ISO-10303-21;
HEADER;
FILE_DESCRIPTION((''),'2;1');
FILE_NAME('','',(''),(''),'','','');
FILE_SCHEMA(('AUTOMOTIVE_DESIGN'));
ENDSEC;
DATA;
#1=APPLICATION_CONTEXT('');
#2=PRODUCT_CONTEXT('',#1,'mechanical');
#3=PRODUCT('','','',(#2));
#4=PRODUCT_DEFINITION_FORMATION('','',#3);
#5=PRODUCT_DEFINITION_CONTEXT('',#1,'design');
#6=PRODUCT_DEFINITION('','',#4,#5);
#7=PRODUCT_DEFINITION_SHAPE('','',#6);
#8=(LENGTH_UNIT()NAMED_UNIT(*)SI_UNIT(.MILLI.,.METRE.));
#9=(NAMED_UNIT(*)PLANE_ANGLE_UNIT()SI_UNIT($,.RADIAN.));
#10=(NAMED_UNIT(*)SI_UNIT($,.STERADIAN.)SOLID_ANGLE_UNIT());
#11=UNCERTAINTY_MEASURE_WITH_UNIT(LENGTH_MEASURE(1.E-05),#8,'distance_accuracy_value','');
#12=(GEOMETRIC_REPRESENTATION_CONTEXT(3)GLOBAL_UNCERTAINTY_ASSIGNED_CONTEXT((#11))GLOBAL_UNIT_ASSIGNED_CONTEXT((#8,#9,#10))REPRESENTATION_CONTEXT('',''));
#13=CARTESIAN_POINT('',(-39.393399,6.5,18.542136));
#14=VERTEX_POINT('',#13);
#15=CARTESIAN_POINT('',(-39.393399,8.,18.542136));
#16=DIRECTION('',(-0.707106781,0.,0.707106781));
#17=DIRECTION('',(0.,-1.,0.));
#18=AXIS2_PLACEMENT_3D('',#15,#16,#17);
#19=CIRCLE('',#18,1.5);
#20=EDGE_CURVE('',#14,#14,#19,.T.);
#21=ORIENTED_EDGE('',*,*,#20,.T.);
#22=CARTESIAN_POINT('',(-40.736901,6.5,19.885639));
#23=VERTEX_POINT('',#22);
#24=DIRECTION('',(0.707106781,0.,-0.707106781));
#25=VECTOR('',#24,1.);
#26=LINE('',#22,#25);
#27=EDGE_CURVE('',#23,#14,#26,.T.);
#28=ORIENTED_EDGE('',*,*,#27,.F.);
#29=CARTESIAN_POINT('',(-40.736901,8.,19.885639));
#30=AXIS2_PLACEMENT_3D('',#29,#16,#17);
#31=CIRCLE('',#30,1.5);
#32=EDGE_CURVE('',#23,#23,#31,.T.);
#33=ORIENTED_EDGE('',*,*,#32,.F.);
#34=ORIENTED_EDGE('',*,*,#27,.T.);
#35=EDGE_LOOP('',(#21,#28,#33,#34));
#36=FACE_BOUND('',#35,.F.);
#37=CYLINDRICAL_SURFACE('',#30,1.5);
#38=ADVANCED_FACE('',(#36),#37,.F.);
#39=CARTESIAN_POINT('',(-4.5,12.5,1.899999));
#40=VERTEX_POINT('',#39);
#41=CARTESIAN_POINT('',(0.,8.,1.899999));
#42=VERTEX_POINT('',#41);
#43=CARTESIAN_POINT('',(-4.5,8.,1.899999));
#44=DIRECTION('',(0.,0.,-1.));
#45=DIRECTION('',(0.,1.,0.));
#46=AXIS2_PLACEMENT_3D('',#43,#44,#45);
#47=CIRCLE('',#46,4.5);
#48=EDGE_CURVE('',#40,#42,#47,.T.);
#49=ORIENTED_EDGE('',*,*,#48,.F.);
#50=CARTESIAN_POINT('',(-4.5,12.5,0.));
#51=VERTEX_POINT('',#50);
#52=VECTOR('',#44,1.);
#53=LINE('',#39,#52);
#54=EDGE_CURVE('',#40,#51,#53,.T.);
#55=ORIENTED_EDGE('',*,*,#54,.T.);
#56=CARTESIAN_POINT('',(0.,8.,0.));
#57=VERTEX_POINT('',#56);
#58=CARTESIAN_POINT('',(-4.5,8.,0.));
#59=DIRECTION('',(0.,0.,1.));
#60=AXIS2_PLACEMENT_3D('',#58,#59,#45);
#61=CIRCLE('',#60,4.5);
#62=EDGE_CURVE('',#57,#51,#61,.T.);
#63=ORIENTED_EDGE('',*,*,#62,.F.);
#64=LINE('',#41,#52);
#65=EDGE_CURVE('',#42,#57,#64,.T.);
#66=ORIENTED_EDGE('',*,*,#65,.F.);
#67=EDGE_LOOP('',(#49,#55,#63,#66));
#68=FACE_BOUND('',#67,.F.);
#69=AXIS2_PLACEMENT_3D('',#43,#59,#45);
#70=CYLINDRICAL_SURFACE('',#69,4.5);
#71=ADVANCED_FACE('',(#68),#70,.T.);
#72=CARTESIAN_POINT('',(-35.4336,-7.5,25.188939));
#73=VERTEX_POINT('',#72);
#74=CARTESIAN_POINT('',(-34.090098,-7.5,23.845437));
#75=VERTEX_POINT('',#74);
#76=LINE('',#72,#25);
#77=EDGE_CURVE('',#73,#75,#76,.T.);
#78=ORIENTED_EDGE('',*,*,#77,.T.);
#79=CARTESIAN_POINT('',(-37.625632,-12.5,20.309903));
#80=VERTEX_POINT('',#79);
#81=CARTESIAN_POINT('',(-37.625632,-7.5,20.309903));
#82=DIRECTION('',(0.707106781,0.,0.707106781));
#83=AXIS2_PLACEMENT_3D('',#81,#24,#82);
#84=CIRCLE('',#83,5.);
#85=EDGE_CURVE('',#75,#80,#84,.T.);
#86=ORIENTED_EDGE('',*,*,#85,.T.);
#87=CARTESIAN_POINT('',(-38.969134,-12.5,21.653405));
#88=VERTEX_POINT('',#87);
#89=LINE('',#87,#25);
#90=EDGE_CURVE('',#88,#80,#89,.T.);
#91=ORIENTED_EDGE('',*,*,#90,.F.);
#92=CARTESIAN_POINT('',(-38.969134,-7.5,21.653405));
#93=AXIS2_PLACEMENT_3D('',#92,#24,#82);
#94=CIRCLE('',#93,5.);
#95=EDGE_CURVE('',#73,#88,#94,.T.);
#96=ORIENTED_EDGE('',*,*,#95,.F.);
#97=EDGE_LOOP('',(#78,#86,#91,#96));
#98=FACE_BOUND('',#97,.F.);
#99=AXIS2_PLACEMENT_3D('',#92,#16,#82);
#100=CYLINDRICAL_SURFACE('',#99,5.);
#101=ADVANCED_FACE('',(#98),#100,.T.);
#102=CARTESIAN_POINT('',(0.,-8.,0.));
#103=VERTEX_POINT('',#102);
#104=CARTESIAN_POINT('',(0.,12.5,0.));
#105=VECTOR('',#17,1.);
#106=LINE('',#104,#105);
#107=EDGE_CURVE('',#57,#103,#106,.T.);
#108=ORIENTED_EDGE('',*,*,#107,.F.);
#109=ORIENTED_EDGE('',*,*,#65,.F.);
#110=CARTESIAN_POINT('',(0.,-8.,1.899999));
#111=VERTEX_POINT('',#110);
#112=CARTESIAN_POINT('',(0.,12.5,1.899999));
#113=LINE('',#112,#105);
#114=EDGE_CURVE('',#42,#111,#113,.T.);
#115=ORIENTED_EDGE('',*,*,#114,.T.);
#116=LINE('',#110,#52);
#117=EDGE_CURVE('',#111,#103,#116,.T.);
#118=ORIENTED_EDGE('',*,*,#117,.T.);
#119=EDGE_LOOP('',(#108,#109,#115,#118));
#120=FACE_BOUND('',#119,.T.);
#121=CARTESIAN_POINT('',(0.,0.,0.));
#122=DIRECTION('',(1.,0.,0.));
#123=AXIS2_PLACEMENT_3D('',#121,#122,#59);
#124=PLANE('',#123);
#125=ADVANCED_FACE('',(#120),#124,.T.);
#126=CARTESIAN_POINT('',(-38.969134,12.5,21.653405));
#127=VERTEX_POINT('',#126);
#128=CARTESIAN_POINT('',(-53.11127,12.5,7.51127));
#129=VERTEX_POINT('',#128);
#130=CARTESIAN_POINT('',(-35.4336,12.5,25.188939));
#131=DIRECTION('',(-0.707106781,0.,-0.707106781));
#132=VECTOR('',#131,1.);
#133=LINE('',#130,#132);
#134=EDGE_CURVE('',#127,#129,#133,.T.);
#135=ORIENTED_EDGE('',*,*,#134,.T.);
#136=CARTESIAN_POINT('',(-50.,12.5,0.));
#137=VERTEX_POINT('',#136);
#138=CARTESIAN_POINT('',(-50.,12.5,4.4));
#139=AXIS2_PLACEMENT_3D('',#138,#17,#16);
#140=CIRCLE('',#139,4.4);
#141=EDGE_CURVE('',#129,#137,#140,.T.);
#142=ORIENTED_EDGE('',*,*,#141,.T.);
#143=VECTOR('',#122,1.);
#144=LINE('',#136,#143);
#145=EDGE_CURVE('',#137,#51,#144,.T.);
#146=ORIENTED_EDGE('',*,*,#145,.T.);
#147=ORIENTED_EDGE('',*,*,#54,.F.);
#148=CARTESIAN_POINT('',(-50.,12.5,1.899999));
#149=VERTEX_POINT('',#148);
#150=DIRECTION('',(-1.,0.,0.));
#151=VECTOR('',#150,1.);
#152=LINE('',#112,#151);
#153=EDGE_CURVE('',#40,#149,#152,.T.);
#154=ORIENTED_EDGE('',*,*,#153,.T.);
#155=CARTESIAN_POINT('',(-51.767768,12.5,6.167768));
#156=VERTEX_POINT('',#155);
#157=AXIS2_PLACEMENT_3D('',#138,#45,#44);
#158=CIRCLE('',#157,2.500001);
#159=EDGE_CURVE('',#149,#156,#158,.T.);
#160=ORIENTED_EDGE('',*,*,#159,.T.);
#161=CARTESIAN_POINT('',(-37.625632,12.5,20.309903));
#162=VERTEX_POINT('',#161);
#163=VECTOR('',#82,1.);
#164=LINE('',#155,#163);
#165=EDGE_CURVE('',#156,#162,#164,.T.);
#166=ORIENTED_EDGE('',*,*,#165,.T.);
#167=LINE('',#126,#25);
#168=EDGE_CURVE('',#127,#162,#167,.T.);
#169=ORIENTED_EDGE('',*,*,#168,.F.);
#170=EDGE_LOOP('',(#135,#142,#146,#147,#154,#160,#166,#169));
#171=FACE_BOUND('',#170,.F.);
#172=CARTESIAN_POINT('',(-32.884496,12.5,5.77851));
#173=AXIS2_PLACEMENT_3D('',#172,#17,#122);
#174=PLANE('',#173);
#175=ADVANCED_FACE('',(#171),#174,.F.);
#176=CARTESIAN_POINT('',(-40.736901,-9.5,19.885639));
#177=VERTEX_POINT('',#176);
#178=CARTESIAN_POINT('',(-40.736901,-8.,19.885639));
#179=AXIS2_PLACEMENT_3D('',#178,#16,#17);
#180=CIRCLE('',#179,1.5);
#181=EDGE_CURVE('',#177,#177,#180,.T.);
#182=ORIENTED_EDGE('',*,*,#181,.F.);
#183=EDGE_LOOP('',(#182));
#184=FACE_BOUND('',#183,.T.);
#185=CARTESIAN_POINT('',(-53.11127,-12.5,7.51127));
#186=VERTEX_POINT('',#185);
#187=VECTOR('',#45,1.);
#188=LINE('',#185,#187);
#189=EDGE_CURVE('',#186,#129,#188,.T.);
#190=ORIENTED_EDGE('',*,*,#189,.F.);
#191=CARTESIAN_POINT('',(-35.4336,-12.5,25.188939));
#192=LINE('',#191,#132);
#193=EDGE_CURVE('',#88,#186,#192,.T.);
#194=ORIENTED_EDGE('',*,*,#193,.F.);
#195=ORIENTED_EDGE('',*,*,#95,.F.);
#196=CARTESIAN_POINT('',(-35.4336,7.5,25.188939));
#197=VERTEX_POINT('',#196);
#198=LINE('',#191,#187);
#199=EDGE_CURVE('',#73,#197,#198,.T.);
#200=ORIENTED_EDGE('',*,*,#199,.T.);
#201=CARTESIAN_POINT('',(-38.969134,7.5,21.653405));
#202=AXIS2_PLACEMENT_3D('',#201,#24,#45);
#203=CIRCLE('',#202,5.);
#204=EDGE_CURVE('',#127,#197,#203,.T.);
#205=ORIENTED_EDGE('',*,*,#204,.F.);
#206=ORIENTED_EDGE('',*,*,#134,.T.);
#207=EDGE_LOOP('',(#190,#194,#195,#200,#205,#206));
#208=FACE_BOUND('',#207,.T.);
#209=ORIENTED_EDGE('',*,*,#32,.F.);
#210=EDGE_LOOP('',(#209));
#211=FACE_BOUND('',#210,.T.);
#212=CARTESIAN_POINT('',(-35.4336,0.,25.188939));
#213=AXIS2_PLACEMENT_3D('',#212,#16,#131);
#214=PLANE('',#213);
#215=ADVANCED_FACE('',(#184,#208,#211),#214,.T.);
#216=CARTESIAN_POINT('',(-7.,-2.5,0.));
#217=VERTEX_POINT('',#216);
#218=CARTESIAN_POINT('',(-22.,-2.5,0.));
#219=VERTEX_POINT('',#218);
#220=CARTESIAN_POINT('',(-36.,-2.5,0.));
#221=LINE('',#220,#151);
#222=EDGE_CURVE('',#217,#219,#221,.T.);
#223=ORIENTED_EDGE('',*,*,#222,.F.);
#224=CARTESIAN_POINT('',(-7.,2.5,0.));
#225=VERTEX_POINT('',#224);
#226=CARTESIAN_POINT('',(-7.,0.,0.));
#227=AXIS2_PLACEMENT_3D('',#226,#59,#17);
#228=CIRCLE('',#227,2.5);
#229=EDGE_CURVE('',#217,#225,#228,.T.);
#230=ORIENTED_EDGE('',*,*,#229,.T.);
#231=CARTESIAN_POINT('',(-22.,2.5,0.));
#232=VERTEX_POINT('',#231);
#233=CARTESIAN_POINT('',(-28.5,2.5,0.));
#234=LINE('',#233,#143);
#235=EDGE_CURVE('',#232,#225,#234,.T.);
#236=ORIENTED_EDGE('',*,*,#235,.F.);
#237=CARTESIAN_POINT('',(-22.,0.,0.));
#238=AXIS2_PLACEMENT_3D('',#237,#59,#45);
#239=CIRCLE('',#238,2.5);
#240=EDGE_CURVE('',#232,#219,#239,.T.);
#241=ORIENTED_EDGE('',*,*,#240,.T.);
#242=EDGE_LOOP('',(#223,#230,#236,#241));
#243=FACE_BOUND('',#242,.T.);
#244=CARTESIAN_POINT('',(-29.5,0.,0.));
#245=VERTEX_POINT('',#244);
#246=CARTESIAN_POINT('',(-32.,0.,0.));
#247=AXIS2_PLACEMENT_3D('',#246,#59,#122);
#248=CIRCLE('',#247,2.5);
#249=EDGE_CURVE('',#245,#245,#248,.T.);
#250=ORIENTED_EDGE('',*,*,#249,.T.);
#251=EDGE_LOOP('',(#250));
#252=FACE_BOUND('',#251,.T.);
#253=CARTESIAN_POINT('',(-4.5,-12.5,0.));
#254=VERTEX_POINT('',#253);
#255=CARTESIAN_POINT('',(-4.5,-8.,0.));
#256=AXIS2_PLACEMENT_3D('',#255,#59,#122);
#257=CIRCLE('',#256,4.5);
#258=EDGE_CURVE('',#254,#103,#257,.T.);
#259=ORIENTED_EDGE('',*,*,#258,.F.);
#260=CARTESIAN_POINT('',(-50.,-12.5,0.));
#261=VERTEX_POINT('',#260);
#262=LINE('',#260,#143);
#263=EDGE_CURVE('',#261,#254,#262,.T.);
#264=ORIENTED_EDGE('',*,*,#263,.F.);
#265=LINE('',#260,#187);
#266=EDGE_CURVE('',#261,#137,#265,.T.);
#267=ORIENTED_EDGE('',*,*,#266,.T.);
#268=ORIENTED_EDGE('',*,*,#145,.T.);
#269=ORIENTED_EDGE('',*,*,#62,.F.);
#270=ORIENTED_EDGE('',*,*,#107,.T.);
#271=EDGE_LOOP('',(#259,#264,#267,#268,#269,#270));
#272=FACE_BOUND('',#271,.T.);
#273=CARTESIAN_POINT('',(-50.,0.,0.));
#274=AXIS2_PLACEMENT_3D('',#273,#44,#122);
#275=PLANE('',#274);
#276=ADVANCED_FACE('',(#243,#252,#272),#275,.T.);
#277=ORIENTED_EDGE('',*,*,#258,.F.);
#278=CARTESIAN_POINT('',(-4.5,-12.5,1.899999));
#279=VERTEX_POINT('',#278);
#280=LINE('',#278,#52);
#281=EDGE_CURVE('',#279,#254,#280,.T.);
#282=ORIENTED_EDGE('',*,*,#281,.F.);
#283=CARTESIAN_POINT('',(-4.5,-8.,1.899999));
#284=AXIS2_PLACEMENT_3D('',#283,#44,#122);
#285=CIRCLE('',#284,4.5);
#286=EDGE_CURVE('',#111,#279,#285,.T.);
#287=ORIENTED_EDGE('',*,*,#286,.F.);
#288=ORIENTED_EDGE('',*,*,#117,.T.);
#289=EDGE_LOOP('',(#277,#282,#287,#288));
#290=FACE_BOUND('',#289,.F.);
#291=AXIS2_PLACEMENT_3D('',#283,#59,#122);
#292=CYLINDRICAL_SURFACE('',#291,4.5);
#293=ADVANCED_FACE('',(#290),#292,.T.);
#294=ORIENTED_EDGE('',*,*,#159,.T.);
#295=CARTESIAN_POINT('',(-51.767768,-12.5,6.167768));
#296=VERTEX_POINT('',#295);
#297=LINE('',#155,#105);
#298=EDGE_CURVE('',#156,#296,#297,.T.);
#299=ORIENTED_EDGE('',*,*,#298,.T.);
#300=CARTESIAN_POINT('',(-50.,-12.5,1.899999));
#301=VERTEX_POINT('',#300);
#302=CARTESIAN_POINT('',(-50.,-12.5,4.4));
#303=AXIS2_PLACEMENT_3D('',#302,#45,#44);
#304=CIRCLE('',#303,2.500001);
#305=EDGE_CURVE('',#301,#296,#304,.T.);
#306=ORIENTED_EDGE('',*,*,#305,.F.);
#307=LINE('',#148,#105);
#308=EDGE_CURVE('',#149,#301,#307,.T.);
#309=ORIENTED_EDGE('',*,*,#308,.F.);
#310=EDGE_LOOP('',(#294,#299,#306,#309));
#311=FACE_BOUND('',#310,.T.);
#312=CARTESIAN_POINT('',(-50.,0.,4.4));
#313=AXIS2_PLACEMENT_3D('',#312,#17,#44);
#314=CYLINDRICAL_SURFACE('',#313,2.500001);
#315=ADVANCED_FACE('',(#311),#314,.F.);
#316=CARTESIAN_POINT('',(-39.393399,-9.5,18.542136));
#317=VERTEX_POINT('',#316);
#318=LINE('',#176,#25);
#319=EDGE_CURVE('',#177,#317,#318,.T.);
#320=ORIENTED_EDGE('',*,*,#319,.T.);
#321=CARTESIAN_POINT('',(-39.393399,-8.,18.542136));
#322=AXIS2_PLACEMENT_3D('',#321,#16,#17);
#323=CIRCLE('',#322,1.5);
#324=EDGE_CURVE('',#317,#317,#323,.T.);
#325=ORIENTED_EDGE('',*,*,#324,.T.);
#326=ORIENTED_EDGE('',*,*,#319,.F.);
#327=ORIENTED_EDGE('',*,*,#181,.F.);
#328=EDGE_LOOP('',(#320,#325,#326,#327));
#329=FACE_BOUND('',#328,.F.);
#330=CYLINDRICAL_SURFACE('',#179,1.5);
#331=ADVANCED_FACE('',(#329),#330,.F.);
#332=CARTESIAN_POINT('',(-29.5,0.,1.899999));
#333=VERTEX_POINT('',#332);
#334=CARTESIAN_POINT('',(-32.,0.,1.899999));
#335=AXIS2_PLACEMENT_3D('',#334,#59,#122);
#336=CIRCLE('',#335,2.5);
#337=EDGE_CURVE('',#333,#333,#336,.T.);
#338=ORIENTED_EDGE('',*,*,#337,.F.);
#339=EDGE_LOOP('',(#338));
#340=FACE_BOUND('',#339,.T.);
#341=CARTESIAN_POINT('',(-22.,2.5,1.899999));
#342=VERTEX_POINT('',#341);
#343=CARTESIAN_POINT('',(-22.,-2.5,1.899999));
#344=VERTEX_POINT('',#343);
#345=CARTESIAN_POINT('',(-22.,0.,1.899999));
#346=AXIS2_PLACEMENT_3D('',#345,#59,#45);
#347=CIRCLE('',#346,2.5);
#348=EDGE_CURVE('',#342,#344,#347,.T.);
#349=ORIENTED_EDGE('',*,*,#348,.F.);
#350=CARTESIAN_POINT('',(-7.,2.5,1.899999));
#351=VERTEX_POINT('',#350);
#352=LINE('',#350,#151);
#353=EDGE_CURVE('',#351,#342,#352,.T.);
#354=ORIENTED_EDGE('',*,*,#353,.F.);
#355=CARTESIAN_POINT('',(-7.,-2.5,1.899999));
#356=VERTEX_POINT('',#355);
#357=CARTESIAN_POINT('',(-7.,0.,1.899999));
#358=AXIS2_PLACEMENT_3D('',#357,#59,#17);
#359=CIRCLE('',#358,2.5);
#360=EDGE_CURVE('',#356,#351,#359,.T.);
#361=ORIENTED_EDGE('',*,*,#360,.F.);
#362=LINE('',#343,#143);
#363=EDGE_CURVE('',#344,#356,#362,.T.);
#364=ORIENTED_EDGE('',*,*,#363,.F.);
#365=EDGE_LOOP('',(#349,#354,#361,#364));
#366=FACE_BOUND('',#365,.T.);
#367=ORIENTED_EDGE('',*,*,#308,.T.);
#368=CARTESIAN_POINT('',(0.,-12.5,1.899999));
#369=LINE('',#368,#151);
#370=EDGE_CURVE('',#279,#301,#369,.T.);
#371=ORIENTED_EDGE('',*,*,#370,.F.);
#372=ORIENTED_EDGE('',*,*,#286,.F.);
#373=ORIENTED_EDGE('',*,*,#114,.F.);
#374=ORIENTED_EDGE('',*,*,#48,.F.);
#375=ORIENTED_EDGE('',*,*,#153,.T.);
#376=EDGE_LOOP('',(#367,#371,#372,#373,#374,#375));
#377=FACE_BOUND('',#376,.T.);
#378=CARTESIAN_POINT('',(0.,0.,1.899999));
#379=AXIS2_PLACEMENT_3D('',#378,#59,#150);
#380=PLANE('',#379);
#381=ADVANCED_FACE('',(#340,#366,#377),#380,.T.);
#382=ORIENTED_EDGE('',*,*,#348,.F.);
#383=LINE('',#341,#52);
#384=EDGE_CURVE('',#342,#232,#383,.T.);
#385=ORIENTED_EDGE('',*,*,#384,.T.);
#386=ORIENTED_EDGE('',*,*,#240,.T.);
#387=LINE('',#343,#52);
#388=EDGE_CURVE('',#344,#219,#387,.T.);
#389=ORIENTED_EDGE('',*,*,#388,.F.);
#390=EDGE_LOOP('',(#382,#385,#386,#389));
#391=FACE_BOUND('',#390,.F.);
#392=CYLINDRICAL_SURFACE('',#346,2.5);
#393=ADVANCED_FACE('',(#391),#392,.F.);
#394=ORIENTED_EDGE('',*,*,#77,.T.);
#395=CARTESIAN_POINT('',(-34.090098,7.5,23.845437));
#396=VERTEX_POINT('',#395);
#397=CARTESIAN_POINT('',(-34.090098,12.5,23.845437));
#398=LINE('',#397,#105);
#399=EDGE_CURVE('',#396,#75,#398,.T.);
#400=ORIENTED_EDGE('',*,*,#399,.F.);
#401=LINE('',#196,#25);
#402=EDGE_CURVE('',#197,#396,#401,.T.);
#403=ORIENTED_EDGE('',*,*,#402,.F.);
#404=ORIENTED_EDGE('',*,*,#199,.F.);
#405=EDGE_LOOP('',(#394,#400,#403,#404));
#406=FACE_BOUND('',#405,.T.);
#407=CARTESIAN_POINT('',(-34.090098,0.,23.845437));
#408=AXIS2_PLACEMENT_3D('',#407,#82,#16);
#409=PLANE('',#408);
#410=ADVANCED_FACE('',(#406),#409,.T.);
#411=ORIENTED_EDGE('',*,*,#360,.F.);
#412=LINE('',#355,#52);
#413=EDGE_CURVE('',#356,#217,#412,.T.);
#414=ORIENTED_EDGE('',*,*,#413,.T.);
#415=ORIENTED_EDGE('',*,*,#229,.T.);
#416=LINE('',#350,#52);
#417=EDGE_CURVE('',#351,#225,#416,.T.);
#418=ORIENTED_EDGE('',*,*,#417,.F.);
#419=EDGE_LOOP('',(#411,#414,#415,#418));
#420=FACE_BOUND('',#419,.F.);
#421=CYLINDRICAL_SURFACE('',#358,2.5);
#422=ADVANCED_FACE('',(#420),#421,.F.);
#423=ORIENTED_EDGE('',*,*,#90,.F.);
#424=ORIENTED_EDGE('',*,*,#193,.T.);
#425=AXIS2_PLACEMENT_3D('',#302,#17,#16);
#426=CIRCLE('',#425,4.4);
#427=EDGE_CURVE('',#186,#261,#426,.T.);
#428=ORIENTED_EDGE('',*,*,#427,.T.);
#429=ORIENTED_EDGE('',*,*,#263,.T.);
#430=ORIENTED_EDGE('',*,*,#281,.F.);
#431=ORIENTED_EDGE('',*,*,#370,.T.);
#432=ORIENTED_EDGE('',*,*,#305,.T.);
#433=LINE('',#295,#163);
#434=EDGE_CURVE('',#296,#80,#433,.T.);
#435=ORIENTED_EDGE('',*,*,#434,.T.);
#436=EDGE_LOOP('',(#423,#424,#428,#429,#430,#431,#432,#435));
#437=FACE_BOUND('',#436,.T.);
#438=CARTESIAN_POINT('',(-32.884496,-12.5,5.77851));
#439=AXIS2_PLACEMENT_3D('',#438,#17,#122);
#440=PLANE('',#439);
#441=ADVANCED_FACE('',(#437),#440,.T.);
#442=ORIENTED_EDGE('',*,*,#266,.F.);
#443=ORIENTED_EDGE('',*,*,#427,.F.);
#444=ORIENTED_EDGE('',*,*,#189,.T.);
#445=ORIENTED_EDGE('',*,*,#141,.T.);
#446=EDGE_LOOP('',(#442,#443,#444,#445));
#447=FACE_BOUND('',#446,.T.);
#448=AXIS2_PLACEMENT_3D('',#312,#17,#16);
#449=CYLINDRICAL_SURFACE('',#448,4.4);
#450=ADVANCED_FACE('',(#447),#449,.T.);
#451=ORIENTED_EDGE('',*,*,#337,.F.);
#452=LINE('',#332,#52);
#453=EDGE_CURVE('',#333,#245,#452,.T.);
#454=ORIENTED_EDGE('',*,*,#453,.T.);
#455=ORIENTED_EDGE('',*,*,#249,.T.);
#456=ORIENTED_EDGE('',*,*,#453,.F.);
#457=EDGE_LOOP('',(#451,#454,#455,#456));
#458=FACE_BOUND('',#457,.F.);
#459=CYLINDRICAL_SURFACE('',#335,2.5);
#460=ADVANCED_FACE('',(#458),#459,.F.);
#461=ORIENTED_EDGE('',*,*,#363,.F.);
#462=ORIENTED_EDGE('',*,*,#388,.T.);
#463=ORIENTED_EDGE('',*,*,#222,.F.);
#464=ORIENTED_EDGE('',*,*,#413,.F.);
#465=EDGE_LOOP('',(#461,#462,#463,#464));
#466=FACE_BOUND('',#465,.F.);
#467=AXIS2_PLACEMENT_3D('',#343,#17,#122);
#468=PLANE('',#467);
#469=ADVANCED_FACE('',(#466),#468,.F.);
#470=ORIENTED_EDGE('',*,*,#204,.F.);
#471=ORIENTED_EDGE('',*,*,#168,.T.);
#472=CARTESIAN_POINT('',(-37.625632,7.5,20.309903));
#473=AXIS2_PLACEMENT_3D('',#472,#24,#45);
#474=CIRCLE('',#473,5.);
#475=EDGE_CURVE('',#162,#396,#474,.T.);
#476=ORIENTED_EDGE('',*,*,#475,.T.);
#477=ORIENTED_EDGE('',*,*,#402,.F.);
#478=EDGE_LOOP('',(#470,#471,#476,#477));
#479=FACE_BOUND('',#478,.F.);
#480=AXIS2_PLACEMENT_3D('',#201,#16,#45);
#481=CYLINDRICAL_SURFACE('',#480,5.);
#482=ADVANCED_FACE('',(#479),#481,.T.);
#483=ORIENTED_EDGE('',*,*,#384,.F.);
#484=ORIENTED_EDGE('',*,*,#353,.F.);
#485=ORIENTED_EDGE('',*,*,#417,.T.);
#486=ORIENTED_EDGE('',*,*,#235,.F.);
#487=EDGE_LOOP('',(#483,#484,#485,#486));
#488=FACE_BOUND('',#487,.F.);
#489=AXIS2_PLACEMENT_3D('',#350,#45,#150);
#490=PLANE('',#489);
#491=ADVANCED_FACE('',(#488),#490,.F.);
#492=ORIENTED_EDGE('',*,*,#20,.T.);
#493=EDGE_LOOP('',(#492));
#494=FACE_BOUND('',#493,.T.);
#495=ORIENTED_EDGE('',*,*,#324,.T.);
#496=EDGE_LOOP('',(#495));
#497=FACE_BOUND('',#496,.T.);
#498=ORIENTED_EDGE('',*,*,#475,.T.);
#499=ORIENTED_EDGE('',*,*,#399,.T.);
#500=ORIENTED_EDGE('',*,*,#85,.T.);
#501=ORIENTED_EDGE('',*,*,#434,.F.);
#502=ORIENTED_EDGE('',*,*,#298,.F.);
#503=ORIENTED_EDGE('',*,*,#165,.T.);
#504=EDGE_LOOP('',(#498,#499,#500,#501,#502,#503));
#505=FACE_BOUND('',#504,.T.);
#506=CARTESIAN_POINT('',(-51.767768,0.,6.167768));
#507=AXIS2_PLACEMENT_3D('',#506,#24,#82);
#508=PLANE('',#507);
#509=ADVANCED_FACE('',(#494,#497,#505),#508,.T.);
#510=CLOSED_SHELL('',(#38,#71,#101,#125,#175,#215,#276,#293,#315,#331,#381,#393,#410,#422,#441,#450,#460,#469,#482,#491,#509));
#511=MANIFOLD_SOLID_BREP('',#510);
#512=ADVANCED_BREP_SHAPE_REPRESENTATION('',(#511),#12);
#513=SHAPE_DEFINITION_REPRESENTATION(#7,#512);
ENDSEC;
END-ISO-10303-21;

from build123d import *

# Parameters (mm, degrees)
F1_DEPTH = 12.5
F2_R     = 2.5
F3_DEPTH = 1.9009989591
F4_R     = 1.5
F5_DEPTH = 1.8999989591


with BuildPart() as f1:
    # F0 (on Front) → F1 (new body, symmetric)
    with BuildSketch(Plane.XZ):
        with BuildLine():
            Line((-50, 0), (0, 0))
            Line((0, 0), (0, 1.8999989591))
            Line((0, 1.8999989591), (-50, 1.8999989591))
            ThreePointArc((-50, 1.8999989591), (-52.309699793, 3.4432910207), (-51.767767689, 6.167767689))
            Line((-51.767767689, 6.167767689), (-34.0900981594, 23.8454372187))
            Line((-34.0900981594, 23.8454372187), (-35.4336003076, 25.1889393669))
            Line((-35.4336003076, 25.1889393669), (-53.1112698372, 7.5112698372))
            ThreePointArc((-53.1112698372, 7.5112698372), (-54.065069943, 2.7161928976), (-50, 0))
        make_face()
    extrude(amount=F1_DEPTH, both=True)

    # F2 (on face) → F3 (cut, through all)
    with BuildSketch(Plane.XY.offset(1.8999989591)):
        with Locations((-32, 0)):
            Circle(F2_R)
        with BuildLine():
            Line((0, 12.5), (-4.5, 12.5))
            ThreePointArc((-4.5, 12.5), (-1.3180194847, 11.1819805153), (0, 8))
            Line((0, 8), (0, 12.5))
        make_face()
        with BuildLine():
            Line((0, -12.5), (0, -8))
            ThreePointArc((0, -8), (-1.3180194847, -11.1819805153), (-4.5, -12.5))
            Line((-4.5, -12.5), (0, -12.5))
        make_face()
        with BuildLine():
            Line((-7, 2.5), (-22, 2.5))
            ThreePointArc((-22, 2.5), (-24.5, 0), (-22, -2.5))
            Line((-22, -2.5), (-7, -2.5))
            ThreePointArc((-7, -2.5), (-4.5, 0), (-7, 2.5))
        make_face()
    extrude(amount=-F3_DEPTH, mode=Mode.SUBTRACT)

    # F4 (on face) → F5 (cut, through all)
    with BuildSketch(Plane(origin=(-30.3112698372, 0, 30.3112698372), x_dir=(0, -1, 0), z_dir=(-0.7071067812, 0, 0.7071067812))):
        with Locations((-8, -14.7440692221)):
            Circle(F4_R)
        with BuildLine():
            Line((-12.5, -7.2440692221), (-12.5, -12.2440692221))
            ThreePointArc((-12.5, -12.2440692221), (-11.0355339059, -8.7085353162), (-7.5, -7.2440692221))
            Line((-7.5, -7.2440692221), (-12.5, -7.2440692221))
        make_face()
        with Locations((8, -14.7440692221)):
            Circle(F4_R)
        with BuildLine():
            ThreePointArc((7.5, -7.2440692221), (11.0355339059, -8.7085353162), (12.5, -12.2440692221))
            Line((12.5, -12.2440692221), (12.5, -7.2440692221))
            Line((12.5, -7.2440692221), (7.5, -7.2440692221))
        make_face()
    extrude(amount=-F5_DEPTH, mode=Mode.SUBTRACT)


solid = f1.part
